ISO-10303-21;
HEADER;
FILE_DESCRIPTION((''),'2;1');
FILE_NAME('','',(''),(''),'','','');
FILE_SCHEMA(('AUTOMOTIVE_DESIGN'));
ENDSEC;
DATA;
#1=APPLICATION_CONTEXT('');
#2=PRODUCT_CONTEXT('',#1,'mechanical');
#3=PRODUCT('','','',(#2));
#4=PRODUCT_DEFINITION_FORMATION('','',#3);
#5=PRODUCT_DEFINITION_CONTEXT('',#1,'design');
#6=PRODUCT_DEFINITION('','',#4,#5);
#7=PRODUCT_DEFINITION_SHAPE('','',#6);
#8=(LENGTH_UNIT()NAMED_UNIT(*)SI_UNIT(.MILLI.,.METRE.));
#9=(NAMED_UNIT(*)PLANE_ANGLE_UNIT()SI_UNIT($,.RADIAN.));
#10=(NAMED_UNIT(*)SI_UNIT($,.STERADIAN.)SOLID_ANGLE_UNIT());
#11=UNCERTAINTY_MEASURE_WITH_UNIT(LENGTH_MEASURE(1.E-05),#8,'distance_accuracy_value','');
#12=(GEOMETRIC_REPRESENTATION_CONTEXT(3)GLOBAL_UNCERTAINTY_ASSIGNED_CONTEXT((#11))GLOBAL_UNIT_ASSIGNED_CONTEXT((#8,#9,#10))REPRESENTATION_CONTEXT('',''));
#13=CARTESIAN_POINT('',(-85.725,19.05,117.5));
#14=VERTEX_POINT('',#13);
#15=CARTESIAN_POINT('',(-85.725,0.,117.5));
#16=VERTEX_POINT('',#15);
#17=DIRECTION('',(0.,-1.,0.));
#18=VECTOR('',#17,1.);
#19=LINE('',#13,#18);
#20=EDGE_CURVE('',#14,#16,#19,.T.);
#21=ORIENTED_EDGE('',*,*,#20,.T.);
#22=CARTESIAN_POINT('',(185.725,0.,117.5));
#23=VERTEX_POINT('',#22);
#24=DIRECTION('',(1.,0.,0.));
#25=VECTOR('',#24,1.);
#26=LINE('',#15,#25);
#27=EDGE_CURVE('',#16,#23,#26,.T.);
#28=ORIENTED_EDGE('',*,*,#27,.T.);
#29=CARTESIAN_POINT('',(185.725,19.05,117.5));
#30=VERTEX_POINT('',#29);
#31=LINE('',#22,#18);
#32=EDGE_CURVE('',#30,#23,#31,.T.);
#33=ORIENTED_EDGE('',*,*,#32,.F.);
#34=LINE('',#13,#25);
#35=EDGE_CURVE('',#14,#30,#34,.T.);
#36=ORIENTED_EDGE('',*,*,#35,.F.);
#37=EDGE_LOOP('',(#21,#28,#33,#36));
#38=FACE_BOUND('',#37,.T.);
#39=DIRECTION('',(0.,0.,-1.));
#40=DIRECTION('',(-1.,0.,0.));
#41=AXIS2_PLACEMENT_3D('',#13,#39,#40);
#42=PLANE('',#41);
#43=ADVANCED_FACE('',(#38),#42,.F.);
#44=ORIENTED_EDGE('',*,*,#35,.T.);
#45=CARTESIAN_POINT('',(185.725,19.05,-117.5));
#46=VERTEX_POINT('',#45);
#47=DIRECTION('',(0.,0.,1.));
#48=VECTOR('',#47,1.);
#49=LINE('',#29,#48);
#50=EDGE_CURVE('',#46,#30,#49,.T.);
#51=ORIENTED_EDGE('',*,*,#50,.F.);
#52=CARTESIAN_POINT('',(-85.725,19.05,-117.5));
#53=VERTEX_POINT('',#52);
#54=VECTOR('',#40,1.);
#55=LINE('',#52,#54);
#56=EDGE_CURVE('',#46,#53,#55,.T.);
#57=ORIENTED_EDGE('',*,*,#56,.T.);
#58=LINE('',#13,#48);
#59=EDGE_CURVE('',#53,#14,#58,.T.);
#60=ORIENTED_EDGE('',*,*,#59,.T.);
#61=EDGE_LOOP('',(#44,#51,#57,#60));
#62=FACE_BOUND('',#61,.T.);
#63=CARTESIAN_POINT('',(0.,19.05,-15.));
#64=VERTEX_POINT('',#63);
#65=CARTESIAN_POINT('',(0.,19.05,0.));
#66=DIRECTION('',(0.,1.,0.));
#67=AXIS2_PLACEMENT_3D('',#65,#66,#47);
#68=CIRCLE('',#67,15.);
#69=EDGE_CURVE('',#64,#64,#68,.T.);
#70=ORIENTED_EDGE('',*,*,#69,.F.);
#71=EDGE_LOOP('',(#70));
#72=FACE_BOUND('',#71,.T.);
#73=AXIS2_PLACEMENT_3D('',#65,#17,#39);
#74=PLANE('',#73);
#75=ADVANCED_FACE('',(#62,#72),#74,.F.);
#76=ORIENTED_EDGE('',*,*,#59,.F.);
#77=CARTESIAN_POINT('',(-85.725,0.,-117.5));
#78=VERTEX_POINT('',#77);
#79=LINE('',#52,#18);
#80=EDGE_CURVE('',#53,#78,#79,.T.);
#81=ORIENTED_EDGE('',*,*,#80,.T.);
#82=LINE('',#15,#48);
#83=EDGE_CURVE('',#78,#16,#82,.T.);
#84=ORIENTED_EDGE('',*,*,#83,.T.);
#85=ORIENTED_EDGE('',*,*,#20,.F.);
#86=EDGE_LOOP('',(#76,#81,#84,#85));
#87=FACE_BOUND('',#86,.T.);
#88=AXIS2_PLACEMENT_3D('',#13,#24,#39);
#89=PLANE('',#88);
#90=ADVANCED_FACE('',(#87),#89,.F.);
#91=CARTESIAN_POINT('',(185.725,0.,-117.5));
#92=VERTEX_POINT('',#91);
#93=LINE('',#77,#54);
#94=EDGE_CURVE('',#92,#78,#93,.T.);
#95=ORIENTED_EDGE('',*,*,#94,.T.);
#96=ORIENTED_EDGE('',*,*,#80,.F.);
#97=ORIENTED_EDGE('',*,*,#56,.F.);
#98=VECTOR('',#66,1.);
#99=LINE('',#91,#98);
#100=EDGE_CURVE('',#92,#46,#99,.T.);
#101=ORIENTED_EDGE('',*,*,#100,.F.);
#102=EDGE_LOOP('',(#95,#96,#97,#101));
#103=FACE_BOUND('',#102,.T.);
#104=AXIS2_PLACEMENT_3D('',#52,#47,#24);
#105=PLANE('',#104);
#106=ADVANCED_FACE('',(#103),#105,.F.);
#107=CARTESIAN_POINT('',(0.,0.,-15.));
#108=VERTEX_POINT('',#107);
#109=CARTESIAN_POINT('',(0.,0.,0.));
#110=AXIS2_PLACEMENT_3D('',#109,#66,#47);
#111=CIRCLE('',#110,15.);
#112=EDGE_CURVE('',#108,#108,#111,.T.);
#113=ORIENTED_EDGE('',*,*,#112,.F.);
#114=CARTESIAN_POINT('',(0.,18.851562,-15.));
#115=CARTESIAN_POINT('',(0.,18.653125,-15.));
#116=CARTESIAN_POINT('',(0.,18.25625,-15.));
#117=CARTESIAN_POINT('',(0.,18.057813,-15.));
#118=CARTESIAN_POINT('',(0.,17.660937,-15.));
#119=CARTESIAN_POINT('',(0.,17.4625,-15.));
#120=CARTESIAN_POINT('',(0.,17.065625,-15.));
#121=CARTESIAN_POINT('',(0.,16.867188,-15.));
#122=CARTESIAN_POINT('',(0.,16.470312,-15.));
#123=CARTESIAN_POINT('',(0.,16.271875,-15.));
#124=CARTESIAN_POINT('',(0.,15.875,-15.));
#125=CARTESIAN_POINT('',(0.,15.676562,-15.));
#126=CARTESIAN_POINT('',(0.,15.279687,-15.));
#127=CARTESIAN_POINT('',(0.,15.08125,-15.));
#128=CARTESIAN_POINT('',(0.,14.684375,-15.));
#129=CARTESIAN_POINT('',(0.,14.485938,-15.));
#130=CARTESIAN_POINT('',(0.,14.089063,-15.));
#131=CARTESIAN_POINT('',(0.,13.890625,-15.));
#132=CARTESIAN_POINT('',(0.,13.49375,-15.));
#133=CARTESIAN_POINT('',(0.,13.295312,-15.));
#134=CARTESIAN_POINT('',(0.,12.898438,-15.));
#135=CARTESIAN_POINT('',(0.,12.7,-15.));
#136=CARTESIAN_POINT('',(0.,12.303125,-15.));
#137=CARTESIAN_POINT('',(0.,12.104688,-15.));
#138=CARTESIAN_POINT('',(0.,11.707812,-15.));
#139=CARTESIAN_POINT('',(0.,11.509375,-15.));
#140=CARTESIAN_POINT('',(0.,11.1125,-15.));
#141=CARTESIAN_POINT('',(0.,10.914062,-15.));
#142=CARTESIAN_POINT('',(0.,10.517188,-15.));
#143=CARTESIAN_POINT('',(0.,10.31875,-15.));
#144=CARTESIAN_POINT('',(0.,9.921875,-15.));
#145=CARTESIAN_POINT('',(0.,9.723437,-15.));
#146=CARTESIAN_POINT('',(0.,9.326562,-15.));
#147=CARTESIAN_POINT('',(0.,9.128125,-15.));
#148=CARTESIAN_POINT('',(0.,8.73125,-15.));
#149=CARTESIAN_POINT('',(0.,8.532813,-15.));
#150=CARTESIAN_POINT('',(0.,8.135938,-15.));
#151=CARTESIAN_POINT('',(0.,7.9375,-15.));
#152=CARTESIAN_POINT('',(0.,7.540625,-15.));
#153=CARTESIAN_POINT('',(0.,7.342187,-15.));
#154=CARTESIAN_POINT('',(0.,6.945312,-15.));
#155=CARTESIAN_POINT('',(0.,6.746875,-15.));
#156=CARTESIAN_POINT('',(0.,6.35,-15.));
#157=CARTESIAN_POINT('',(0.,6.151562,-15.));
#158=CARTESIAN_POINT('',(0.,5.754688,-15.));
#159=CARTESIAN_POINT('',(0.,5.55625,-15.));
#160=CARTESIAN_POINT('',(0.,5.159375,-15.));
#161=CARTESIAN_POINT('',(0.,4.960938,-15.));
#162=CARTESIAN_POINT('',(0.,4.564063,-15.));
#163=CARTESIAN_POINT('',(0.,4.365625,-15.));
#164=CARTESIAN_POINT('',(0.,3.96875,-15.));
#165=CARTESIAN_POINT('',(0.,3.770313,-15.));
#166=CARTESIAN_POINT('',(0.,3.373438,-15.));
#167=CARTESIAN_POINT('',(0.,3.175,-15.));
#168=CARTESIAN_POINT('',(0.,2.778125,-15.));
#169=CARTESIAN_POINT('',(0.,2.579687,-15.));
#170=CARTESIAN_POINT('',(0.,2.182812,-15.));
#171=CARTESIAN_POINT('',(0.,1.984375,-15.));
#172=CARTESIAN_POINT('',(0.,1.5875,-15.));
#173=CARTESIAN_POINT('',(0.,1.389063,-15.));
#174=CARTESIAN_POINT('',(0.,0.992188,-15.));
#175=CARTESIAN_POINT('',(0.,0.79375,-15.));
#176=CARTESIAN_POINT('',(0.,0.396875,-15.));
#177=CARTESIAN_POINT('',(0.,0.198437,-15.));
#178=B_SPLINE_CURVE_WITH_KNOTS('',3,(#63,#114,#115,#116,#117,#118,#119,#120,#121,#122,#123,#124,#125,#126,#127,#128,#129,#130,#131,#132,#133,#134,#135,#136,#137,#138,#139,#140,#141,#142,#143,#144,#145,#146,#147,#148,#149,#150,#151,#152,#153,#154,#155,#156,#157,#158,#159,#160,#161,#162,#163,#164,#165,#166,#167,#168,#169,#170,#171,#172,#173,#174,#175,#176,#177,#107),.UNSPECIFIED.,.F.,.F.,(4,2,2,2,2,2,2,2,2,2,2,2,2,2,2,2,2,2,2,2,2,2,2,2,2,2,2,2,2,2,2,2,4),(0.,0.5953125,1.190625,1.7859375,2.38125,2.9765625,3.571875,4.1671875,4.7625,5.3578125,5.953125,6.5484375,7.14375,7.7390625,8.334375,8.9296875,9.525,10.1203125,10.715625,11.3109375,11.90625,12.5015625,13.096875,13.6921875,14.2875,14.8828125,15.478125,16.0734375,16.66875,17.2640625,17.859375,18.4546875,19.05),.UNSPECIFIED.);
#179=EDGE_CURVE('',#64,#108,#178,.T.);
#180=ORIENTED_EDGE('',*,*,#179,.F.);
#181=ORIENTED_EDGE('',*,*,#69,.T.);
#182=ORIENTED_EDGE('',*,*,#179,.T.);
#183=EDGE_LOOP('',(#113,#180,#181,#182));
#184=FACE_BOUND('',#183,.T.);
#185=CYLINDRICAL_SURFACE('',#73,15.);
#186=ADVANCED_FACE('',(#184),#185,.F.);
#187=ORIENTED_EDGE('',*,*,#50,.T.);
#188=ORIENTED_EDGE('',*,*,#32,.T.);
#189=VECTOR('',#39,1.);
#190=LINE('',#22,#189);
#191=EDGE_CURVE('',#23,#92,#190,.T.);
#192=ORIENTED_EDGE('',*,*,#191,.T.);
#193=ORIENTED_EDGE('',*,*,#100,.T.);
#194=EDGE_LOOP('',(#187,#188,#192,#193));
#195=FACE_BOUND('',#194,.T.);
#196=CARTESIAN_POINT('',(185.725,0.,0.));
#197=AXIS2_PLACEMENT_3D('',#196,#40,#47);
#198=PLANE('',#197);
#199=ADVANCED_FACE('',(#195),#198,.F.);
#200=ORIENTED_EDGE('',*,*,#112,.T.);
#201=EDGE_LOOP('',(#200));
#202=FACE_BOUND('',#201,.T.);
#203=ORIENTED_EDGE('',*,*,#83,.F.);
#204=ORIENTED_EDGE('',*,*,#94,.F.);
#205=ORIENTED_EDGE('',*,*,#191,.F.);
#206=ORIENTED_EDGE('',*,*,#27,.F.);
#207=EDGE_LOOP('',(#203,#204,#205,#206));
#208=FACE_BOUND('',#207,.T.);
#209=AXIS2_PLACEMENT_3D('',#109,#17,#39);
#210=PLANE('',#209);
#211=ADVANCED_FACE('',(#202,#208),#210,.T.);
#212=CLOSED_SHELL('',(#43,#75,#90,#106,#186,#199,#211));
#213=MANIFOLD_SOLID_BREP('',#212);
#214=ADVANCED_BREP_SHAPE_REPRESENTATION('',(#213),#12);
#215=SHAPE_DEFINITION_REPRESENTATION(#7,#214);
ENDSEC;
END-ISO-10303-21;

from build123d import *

# Parameters (mm, degrees)
SKETCH2_W           = 171.45
SKETCH2_H           = 235
SKETCH2_R           = 15
BOSS_EXTRUDE3_DEPTH = 19.05
SKETCH3_W           = 235
SKETCH3_H           = 19.05
BOSS_EXTRUDE4_DEPTH = 100


with BuildPart() as part:
    # Sketch2 → Boss-Extrude3 (new body)
    with BuildSketch(Plane(origin=(0, 0, 0), x_dir=(1, 0, 0), z_dir=(0, 1, 0))):
        Rectangle(SKETCH2_W, SKETCH2_H)
        with Locations(Location((0, 0, 0), (0, 0, 90))):
            Circle(SKETCH2_R, mode=Mode.SUBTRACT)
    extrude(amount=BOSS_EXTRUDE3_DEPTH)

    # Sketch3 → Boss-Extrude4 (add)
    with BuildSketch(Plane(origin=(85.725, 0, 0), x_dir=(0, 0, -1), z_dir=(1, 0, 0))):
        with Locations((0, 9.525)):
            Rectangle(SKETCH3_W, SKETCH3_H)
    extrude(amount=BOSS_EXTRUDE4_DEPTH)


solid = part.part
